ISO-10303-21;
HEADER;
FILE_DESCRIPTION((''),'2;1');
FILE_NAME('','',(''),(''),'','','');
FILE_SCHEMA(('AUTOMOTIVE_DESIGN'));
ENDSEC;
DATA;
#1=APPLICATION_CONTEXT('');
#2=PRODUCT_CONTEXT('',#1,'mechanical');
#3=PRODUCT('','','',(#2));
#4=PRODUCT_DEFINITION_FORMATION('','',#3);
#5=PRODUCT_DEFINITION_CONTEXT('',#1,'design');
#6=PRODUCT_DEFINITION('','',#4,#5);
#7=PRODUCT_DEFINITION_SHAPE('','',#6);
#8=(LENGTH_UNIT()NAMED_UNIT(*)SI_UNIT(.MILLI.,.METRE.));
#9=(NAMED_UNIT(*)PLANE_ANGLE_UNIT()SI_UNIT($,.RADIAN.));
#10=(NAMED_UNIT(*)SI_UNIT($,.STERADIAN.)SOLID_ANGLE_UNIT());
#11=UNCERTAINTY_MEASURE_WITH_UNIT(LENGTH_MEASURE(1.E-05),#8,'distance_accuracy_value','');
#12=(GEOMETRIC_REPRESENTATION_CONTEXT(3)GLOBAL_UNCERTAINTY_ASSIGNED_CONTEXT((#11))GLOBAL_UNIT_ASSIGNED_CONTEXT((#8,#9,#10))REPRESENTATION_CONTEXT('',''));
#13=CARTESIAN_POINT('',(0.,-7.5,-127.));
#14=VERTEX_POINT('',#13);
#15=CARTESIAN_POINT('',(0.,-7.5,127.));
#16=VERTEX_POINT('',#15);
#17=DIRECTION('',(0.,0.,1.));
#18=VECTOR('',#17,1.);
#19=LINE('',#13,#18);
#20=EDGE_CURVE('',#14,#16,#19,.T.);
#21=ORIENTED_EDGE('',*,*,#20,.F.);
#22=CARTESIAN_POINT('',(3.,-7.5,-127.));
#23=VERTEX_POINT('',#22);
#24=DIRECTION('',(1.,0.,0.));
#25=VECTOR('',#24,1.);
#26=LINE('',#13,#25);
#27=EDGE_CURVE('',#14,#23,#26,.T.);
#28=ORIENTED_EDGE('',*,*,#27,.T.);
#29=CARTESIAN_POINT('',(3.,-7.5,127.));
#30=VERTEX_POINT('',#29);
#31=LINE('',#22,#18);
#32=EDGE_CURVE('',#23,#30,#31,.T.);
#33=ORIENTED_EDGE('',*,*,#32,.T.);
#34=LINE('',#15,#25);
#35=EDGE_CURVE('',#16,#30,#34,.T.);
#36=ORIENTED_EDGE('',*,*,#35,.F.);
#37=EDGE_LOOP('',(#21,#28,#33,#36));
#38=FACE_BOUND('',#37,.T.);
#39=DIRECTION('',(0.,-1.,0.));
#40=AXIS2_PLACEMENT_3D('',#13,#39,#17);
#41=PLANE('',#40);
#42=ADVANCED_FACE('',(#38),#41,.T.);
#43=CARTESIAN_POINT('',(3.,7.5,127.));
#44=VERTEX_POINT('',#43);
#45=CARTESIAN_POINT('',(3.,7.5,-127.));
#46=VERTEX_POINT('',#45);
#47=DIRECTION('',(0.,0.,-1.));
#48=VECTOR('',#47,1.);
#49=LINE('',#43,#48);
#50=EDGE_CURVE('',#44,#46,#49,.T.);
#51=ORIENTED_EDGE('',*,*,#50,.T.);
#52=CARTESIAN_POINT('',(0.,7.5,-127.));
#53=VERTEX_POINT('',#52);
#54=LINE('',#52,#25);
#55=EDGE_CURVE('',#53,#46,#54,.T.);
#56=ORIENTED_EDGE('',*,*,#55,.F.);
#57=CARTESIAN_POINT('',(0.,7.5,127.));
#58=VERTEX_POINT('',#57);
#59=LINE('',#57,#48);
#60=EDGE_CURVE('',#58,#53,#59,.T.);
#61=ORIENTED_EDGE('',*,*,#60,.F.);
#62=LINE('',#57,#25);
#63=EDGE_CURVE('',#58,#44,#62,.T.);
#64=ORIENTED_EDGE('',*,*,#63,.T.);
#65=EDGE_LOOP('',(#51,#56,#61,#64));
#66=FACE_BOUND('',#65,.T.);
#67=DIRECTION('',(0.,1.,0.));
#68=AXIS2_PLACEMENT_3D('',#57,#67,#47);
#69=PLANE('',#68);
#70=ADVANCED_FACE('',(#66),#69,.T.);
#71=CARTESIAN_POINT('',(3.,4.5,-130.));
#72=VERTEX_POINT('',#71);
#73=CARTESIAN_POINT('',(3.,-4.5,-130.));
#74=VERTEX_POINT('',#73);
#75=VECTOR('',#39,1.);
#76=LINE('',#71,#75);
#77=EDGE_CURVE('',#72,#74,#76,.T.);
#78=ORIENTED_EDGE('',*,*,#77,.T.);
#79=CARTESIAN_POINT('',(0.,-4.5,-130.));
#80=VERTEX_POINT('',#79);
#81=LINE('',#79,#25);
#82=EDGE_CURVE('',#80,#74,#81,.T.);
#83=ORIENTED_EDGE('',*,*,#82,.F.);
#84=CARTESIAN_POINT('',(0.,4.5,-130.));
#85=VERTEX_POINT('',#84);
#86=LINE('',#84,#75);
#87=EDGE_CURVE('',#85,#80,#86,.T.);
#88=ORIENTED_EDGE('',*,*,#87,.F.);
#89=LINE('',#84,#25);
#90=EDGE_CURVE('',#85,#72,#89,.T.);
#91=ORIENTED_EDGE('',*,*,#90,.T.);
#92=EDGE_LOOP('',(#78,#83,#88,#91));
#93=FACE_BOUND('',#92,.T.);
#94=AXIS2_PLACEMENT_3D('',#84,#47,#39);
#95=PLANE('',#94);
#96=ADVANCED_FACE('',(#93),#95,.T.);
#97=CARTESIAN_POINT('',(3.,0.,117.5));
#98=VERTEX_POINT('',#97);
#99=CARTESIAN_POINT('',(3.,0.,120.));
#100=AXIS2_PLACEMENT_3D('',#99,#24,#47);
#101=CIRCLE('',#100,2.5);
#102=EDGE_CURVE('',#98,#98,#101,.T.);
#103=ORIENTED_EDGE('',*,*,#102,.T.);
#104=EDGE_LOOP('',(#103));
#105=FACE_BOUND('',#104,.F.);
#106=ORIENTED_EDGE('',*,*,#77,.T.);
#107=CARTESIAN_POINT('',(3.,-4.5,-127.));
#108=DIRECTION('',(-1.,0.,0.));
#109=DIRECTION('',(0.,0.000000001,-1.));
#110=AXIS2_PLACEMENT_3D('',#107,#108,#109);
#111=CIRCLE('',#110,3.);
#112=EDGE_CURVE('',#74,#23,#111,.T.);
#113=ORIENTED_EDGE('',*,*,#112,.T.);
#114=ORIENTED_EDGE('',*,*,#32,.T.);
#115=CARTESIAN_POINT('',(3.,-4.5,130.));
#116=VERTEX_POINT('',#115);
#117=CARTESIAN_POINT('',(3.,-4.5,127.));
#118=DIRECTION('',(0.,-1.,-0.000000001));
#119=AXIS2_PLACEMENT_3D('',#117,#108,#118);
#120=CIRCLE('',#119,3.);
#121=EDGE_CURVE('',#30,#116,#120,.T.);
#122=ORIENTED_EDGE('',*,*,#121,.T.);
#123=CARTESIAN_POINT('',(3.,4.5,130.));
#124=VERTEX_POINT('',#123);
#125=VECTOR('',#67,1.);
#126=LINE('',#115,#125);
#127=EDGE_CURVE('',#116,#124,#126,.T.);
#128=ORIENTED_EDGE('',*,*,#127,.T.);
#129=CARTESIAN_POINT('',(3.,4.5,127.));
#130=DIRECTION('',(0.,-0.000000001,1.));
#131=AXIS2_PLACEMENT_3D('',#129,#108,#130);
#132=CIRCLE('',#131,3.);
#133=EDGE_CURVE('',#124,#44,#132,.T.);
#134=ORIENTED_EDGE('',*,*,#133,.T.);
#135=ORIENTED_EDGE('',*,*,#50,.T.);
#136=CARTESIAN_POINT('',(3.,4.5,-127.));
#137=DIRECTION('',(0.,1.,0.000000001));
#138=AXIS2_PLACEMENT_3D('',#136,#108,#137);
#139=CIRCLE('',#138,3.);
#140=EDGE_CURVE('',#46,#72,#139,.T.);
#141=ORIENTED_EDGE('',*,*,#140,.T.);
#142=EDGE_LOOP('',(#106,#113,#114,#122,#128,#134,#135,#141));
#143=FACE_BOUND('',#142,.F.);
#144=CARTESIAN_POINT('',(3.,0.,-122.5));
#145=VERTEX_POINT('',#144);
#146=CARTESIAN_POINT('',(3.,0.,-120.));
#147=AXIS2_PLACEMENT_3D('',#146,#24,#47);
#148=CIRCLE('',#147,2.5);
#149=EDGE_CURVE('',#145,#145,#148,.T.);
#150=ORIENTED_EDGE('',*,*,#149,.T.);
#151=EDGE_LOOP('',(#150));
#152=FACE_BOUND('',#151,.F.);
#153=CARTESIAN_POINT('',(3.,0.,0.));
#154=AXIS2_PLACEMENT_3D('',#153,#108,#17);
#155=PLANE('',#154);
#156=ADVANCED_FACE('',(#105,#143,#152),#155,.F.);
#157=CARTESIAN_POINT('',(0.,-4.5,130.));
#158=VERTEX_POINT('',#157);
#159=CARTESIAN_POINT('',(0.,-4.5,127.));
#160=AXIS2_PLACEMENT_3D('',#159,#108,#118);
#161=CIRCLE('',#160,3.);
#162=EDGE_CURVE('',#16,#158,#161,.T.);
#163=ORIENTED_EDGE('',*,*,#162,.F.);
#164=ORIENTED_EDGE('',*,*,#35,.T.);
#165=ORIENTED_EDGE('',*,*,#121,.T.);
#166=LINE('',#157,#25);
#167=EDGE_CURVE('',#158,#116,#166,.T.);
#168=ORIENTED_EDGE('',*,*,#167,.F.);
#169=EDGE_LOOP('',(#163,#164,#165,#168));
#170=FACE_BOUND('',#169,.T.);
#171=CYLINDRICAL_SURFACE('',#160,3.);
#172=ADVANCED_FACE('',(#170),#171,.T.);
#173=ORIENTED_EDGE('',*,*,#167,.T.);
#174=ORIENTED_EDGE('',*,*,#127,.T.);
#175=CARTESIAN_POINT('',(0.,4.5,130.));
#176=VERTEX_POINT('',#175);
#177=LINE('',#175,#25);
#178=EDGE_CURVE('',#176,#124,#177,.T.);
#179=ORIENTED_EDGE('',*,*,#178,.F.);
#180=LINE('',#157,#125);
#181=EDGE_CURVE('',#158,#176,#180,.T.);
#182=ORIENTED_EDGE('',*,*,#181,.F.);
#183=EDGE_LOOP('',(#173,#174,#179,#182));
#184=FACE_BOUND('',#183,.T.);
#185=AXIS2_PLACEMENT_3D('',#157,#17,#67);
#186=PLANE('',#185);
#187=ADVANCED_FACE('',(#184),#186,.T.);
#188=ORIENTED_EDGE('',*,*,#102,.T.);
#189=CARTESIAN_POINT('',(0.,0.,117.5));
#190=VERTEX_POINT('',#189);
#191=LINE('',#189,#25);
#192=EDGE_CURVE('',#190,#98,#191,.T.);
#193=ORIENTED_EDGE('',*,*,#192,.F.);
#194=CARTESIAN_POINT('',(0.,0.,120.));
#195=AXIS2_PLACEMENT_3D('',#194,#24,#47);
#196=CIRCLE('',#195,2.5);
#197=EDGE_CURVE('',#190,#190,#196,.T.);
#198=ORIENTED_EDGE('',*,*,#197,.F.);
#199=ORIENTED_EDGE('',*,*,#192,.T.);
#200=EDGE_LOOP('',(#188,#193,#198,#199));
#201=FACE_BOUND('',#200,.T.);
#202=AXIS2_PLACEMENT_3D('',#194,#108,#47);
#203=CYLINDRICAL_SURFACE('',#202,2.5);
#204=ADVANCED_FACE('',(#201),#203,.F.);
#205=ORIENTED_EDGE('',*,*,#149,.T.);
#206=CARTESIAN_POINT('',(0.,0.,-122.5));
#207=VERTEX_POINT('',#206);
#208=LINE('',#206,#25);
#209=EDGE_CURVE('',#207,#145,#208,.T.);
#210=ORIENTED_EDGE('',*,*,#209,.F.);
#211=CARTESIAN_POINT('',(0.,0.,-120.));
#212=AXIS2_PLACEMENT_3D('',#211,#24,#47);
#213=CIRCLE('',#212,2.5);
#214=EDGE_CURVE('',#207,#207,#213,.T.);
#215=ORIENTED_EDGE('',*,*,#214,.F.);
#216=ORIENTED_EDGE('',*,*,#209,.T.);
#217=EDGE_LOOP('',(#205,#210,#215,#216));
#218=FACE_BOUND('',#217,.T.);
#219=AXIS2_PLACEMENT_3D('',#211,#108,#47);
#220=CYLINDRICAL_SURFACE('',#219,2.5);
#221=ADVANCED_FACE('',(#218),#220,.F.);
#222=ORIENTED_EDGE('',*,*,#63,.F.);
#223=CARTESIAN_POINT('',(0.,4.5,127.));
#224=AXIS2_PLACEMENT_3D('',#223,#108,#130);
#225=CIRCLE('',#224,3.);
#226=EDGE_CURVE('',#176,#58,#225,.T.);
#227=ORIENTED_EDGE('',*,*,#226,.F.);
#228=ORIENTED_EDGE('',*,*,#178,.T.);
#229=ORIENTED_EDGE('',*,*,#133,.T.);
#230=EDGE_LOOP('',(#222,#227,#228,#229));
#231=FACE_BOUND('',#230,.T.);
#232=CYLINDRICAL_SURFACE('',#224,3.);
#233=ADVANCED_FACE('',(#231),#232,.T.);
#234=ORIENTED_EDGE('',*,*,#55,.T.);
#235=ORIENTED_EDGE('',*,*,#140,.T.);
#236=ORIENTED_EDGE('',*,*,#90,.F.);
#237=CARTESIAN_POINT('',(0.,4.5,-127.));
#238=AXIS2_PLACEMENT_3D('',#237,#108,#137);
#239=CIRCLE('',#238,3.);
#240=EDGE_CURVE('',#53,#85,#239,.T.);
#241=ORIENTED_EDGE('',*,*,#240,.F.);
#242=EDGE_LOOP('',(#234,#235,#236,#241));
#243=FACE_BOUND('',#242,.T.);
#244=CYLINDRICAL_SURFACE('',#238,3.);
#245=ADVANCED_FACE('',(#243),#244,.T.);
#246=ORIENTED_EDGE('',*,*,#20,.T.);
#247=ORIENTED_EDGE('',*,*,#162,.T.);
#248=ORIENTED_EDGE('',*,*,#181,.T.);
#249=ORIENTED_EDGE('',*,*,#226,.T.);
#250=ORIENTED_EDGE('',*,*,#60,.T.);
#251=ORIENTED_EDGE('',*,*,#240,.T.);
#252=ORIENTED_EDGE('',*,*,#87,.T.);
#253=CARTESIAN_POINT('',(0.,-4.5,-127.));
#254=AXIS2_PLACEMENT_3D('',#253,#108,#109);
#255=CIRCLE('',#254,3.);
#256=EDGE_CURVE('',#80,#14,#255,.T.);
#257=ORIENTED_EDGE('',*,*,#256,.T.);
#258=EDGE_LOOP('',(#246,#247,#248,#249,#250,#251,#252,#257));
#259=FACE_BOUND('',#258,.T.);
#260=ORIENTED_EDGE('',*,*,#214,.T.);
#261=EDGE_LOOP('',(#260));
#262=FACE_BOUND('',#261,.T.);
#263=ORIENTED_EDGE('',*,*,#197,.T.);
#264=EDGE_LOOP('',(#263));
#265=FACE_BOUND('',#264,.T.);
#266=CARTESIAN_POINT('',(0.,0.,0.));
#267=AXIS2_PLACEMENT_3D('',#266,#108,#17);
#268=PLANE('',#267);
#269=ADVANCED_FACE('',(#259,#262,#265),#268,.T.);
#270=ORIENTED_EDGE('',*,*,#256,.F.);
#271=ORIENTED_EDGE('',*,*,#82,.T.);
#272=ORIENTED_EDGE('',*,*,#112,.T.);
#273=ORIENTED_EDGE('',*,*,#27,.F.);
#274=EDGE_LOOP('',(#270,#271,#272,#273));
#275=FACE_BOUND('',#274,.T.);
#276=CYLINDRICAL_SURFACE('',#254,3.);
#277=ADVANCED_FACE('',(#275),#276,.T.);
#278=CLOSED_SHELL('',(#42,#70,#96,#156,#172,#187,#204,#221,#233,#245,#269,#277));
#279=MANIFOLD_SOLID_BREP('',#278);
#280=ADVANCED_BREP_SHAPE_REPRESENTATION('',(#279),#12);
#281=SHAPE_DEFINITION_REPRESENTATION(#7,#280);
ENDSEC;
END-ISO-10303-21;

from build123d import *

# Parameters (mm, degrees)
SKETCH_1_R      = 2.5
EXTRUDE_1_DEPTH = 3


with BuildPart() as part:
    # Эскиз1 → Бобышка-Вытянуть1 (new body)
    with BuildSketch(Plane(origin=(0, 0, 0), x_dir=(0, 0, -1), z_dir=(1, 0, 0))):
        with BuildLine():
            Line((-127, 7.5), (127, 7.5))
            ThreePointArc((127, 7.5), (129.121320344, 6.621320344), (130, 4.5))
            Line((130, 4.5), (130, -4.5))
            ThreePointArc((130, -4.5), (129.121320344, -6.621320344), (127, -7.5))
            Line((127, -7.5), (-127, -7.5))
            ThreePointArc((-127, -7.5), (-129.121320344, -6.621320344), (-130, -4.5))
            Line((-130, -4.5), (-130, 4.5))
            ThreePointArc((-130, 4.5), (-129.121320344, 6.621320344), (-127, 7.5))
        make_face()
        with Locations((-120, 0)):
            Circle(SKETCH_1_R, mode=Mode.SUBTRACT)
        with Locations((120, 0)):
            Circle(SKETCH_1_R, mode=Mode.SUBTRACT)
    extrude(amount=EXTRUDE_1_DEPTH)


solid = part.part
